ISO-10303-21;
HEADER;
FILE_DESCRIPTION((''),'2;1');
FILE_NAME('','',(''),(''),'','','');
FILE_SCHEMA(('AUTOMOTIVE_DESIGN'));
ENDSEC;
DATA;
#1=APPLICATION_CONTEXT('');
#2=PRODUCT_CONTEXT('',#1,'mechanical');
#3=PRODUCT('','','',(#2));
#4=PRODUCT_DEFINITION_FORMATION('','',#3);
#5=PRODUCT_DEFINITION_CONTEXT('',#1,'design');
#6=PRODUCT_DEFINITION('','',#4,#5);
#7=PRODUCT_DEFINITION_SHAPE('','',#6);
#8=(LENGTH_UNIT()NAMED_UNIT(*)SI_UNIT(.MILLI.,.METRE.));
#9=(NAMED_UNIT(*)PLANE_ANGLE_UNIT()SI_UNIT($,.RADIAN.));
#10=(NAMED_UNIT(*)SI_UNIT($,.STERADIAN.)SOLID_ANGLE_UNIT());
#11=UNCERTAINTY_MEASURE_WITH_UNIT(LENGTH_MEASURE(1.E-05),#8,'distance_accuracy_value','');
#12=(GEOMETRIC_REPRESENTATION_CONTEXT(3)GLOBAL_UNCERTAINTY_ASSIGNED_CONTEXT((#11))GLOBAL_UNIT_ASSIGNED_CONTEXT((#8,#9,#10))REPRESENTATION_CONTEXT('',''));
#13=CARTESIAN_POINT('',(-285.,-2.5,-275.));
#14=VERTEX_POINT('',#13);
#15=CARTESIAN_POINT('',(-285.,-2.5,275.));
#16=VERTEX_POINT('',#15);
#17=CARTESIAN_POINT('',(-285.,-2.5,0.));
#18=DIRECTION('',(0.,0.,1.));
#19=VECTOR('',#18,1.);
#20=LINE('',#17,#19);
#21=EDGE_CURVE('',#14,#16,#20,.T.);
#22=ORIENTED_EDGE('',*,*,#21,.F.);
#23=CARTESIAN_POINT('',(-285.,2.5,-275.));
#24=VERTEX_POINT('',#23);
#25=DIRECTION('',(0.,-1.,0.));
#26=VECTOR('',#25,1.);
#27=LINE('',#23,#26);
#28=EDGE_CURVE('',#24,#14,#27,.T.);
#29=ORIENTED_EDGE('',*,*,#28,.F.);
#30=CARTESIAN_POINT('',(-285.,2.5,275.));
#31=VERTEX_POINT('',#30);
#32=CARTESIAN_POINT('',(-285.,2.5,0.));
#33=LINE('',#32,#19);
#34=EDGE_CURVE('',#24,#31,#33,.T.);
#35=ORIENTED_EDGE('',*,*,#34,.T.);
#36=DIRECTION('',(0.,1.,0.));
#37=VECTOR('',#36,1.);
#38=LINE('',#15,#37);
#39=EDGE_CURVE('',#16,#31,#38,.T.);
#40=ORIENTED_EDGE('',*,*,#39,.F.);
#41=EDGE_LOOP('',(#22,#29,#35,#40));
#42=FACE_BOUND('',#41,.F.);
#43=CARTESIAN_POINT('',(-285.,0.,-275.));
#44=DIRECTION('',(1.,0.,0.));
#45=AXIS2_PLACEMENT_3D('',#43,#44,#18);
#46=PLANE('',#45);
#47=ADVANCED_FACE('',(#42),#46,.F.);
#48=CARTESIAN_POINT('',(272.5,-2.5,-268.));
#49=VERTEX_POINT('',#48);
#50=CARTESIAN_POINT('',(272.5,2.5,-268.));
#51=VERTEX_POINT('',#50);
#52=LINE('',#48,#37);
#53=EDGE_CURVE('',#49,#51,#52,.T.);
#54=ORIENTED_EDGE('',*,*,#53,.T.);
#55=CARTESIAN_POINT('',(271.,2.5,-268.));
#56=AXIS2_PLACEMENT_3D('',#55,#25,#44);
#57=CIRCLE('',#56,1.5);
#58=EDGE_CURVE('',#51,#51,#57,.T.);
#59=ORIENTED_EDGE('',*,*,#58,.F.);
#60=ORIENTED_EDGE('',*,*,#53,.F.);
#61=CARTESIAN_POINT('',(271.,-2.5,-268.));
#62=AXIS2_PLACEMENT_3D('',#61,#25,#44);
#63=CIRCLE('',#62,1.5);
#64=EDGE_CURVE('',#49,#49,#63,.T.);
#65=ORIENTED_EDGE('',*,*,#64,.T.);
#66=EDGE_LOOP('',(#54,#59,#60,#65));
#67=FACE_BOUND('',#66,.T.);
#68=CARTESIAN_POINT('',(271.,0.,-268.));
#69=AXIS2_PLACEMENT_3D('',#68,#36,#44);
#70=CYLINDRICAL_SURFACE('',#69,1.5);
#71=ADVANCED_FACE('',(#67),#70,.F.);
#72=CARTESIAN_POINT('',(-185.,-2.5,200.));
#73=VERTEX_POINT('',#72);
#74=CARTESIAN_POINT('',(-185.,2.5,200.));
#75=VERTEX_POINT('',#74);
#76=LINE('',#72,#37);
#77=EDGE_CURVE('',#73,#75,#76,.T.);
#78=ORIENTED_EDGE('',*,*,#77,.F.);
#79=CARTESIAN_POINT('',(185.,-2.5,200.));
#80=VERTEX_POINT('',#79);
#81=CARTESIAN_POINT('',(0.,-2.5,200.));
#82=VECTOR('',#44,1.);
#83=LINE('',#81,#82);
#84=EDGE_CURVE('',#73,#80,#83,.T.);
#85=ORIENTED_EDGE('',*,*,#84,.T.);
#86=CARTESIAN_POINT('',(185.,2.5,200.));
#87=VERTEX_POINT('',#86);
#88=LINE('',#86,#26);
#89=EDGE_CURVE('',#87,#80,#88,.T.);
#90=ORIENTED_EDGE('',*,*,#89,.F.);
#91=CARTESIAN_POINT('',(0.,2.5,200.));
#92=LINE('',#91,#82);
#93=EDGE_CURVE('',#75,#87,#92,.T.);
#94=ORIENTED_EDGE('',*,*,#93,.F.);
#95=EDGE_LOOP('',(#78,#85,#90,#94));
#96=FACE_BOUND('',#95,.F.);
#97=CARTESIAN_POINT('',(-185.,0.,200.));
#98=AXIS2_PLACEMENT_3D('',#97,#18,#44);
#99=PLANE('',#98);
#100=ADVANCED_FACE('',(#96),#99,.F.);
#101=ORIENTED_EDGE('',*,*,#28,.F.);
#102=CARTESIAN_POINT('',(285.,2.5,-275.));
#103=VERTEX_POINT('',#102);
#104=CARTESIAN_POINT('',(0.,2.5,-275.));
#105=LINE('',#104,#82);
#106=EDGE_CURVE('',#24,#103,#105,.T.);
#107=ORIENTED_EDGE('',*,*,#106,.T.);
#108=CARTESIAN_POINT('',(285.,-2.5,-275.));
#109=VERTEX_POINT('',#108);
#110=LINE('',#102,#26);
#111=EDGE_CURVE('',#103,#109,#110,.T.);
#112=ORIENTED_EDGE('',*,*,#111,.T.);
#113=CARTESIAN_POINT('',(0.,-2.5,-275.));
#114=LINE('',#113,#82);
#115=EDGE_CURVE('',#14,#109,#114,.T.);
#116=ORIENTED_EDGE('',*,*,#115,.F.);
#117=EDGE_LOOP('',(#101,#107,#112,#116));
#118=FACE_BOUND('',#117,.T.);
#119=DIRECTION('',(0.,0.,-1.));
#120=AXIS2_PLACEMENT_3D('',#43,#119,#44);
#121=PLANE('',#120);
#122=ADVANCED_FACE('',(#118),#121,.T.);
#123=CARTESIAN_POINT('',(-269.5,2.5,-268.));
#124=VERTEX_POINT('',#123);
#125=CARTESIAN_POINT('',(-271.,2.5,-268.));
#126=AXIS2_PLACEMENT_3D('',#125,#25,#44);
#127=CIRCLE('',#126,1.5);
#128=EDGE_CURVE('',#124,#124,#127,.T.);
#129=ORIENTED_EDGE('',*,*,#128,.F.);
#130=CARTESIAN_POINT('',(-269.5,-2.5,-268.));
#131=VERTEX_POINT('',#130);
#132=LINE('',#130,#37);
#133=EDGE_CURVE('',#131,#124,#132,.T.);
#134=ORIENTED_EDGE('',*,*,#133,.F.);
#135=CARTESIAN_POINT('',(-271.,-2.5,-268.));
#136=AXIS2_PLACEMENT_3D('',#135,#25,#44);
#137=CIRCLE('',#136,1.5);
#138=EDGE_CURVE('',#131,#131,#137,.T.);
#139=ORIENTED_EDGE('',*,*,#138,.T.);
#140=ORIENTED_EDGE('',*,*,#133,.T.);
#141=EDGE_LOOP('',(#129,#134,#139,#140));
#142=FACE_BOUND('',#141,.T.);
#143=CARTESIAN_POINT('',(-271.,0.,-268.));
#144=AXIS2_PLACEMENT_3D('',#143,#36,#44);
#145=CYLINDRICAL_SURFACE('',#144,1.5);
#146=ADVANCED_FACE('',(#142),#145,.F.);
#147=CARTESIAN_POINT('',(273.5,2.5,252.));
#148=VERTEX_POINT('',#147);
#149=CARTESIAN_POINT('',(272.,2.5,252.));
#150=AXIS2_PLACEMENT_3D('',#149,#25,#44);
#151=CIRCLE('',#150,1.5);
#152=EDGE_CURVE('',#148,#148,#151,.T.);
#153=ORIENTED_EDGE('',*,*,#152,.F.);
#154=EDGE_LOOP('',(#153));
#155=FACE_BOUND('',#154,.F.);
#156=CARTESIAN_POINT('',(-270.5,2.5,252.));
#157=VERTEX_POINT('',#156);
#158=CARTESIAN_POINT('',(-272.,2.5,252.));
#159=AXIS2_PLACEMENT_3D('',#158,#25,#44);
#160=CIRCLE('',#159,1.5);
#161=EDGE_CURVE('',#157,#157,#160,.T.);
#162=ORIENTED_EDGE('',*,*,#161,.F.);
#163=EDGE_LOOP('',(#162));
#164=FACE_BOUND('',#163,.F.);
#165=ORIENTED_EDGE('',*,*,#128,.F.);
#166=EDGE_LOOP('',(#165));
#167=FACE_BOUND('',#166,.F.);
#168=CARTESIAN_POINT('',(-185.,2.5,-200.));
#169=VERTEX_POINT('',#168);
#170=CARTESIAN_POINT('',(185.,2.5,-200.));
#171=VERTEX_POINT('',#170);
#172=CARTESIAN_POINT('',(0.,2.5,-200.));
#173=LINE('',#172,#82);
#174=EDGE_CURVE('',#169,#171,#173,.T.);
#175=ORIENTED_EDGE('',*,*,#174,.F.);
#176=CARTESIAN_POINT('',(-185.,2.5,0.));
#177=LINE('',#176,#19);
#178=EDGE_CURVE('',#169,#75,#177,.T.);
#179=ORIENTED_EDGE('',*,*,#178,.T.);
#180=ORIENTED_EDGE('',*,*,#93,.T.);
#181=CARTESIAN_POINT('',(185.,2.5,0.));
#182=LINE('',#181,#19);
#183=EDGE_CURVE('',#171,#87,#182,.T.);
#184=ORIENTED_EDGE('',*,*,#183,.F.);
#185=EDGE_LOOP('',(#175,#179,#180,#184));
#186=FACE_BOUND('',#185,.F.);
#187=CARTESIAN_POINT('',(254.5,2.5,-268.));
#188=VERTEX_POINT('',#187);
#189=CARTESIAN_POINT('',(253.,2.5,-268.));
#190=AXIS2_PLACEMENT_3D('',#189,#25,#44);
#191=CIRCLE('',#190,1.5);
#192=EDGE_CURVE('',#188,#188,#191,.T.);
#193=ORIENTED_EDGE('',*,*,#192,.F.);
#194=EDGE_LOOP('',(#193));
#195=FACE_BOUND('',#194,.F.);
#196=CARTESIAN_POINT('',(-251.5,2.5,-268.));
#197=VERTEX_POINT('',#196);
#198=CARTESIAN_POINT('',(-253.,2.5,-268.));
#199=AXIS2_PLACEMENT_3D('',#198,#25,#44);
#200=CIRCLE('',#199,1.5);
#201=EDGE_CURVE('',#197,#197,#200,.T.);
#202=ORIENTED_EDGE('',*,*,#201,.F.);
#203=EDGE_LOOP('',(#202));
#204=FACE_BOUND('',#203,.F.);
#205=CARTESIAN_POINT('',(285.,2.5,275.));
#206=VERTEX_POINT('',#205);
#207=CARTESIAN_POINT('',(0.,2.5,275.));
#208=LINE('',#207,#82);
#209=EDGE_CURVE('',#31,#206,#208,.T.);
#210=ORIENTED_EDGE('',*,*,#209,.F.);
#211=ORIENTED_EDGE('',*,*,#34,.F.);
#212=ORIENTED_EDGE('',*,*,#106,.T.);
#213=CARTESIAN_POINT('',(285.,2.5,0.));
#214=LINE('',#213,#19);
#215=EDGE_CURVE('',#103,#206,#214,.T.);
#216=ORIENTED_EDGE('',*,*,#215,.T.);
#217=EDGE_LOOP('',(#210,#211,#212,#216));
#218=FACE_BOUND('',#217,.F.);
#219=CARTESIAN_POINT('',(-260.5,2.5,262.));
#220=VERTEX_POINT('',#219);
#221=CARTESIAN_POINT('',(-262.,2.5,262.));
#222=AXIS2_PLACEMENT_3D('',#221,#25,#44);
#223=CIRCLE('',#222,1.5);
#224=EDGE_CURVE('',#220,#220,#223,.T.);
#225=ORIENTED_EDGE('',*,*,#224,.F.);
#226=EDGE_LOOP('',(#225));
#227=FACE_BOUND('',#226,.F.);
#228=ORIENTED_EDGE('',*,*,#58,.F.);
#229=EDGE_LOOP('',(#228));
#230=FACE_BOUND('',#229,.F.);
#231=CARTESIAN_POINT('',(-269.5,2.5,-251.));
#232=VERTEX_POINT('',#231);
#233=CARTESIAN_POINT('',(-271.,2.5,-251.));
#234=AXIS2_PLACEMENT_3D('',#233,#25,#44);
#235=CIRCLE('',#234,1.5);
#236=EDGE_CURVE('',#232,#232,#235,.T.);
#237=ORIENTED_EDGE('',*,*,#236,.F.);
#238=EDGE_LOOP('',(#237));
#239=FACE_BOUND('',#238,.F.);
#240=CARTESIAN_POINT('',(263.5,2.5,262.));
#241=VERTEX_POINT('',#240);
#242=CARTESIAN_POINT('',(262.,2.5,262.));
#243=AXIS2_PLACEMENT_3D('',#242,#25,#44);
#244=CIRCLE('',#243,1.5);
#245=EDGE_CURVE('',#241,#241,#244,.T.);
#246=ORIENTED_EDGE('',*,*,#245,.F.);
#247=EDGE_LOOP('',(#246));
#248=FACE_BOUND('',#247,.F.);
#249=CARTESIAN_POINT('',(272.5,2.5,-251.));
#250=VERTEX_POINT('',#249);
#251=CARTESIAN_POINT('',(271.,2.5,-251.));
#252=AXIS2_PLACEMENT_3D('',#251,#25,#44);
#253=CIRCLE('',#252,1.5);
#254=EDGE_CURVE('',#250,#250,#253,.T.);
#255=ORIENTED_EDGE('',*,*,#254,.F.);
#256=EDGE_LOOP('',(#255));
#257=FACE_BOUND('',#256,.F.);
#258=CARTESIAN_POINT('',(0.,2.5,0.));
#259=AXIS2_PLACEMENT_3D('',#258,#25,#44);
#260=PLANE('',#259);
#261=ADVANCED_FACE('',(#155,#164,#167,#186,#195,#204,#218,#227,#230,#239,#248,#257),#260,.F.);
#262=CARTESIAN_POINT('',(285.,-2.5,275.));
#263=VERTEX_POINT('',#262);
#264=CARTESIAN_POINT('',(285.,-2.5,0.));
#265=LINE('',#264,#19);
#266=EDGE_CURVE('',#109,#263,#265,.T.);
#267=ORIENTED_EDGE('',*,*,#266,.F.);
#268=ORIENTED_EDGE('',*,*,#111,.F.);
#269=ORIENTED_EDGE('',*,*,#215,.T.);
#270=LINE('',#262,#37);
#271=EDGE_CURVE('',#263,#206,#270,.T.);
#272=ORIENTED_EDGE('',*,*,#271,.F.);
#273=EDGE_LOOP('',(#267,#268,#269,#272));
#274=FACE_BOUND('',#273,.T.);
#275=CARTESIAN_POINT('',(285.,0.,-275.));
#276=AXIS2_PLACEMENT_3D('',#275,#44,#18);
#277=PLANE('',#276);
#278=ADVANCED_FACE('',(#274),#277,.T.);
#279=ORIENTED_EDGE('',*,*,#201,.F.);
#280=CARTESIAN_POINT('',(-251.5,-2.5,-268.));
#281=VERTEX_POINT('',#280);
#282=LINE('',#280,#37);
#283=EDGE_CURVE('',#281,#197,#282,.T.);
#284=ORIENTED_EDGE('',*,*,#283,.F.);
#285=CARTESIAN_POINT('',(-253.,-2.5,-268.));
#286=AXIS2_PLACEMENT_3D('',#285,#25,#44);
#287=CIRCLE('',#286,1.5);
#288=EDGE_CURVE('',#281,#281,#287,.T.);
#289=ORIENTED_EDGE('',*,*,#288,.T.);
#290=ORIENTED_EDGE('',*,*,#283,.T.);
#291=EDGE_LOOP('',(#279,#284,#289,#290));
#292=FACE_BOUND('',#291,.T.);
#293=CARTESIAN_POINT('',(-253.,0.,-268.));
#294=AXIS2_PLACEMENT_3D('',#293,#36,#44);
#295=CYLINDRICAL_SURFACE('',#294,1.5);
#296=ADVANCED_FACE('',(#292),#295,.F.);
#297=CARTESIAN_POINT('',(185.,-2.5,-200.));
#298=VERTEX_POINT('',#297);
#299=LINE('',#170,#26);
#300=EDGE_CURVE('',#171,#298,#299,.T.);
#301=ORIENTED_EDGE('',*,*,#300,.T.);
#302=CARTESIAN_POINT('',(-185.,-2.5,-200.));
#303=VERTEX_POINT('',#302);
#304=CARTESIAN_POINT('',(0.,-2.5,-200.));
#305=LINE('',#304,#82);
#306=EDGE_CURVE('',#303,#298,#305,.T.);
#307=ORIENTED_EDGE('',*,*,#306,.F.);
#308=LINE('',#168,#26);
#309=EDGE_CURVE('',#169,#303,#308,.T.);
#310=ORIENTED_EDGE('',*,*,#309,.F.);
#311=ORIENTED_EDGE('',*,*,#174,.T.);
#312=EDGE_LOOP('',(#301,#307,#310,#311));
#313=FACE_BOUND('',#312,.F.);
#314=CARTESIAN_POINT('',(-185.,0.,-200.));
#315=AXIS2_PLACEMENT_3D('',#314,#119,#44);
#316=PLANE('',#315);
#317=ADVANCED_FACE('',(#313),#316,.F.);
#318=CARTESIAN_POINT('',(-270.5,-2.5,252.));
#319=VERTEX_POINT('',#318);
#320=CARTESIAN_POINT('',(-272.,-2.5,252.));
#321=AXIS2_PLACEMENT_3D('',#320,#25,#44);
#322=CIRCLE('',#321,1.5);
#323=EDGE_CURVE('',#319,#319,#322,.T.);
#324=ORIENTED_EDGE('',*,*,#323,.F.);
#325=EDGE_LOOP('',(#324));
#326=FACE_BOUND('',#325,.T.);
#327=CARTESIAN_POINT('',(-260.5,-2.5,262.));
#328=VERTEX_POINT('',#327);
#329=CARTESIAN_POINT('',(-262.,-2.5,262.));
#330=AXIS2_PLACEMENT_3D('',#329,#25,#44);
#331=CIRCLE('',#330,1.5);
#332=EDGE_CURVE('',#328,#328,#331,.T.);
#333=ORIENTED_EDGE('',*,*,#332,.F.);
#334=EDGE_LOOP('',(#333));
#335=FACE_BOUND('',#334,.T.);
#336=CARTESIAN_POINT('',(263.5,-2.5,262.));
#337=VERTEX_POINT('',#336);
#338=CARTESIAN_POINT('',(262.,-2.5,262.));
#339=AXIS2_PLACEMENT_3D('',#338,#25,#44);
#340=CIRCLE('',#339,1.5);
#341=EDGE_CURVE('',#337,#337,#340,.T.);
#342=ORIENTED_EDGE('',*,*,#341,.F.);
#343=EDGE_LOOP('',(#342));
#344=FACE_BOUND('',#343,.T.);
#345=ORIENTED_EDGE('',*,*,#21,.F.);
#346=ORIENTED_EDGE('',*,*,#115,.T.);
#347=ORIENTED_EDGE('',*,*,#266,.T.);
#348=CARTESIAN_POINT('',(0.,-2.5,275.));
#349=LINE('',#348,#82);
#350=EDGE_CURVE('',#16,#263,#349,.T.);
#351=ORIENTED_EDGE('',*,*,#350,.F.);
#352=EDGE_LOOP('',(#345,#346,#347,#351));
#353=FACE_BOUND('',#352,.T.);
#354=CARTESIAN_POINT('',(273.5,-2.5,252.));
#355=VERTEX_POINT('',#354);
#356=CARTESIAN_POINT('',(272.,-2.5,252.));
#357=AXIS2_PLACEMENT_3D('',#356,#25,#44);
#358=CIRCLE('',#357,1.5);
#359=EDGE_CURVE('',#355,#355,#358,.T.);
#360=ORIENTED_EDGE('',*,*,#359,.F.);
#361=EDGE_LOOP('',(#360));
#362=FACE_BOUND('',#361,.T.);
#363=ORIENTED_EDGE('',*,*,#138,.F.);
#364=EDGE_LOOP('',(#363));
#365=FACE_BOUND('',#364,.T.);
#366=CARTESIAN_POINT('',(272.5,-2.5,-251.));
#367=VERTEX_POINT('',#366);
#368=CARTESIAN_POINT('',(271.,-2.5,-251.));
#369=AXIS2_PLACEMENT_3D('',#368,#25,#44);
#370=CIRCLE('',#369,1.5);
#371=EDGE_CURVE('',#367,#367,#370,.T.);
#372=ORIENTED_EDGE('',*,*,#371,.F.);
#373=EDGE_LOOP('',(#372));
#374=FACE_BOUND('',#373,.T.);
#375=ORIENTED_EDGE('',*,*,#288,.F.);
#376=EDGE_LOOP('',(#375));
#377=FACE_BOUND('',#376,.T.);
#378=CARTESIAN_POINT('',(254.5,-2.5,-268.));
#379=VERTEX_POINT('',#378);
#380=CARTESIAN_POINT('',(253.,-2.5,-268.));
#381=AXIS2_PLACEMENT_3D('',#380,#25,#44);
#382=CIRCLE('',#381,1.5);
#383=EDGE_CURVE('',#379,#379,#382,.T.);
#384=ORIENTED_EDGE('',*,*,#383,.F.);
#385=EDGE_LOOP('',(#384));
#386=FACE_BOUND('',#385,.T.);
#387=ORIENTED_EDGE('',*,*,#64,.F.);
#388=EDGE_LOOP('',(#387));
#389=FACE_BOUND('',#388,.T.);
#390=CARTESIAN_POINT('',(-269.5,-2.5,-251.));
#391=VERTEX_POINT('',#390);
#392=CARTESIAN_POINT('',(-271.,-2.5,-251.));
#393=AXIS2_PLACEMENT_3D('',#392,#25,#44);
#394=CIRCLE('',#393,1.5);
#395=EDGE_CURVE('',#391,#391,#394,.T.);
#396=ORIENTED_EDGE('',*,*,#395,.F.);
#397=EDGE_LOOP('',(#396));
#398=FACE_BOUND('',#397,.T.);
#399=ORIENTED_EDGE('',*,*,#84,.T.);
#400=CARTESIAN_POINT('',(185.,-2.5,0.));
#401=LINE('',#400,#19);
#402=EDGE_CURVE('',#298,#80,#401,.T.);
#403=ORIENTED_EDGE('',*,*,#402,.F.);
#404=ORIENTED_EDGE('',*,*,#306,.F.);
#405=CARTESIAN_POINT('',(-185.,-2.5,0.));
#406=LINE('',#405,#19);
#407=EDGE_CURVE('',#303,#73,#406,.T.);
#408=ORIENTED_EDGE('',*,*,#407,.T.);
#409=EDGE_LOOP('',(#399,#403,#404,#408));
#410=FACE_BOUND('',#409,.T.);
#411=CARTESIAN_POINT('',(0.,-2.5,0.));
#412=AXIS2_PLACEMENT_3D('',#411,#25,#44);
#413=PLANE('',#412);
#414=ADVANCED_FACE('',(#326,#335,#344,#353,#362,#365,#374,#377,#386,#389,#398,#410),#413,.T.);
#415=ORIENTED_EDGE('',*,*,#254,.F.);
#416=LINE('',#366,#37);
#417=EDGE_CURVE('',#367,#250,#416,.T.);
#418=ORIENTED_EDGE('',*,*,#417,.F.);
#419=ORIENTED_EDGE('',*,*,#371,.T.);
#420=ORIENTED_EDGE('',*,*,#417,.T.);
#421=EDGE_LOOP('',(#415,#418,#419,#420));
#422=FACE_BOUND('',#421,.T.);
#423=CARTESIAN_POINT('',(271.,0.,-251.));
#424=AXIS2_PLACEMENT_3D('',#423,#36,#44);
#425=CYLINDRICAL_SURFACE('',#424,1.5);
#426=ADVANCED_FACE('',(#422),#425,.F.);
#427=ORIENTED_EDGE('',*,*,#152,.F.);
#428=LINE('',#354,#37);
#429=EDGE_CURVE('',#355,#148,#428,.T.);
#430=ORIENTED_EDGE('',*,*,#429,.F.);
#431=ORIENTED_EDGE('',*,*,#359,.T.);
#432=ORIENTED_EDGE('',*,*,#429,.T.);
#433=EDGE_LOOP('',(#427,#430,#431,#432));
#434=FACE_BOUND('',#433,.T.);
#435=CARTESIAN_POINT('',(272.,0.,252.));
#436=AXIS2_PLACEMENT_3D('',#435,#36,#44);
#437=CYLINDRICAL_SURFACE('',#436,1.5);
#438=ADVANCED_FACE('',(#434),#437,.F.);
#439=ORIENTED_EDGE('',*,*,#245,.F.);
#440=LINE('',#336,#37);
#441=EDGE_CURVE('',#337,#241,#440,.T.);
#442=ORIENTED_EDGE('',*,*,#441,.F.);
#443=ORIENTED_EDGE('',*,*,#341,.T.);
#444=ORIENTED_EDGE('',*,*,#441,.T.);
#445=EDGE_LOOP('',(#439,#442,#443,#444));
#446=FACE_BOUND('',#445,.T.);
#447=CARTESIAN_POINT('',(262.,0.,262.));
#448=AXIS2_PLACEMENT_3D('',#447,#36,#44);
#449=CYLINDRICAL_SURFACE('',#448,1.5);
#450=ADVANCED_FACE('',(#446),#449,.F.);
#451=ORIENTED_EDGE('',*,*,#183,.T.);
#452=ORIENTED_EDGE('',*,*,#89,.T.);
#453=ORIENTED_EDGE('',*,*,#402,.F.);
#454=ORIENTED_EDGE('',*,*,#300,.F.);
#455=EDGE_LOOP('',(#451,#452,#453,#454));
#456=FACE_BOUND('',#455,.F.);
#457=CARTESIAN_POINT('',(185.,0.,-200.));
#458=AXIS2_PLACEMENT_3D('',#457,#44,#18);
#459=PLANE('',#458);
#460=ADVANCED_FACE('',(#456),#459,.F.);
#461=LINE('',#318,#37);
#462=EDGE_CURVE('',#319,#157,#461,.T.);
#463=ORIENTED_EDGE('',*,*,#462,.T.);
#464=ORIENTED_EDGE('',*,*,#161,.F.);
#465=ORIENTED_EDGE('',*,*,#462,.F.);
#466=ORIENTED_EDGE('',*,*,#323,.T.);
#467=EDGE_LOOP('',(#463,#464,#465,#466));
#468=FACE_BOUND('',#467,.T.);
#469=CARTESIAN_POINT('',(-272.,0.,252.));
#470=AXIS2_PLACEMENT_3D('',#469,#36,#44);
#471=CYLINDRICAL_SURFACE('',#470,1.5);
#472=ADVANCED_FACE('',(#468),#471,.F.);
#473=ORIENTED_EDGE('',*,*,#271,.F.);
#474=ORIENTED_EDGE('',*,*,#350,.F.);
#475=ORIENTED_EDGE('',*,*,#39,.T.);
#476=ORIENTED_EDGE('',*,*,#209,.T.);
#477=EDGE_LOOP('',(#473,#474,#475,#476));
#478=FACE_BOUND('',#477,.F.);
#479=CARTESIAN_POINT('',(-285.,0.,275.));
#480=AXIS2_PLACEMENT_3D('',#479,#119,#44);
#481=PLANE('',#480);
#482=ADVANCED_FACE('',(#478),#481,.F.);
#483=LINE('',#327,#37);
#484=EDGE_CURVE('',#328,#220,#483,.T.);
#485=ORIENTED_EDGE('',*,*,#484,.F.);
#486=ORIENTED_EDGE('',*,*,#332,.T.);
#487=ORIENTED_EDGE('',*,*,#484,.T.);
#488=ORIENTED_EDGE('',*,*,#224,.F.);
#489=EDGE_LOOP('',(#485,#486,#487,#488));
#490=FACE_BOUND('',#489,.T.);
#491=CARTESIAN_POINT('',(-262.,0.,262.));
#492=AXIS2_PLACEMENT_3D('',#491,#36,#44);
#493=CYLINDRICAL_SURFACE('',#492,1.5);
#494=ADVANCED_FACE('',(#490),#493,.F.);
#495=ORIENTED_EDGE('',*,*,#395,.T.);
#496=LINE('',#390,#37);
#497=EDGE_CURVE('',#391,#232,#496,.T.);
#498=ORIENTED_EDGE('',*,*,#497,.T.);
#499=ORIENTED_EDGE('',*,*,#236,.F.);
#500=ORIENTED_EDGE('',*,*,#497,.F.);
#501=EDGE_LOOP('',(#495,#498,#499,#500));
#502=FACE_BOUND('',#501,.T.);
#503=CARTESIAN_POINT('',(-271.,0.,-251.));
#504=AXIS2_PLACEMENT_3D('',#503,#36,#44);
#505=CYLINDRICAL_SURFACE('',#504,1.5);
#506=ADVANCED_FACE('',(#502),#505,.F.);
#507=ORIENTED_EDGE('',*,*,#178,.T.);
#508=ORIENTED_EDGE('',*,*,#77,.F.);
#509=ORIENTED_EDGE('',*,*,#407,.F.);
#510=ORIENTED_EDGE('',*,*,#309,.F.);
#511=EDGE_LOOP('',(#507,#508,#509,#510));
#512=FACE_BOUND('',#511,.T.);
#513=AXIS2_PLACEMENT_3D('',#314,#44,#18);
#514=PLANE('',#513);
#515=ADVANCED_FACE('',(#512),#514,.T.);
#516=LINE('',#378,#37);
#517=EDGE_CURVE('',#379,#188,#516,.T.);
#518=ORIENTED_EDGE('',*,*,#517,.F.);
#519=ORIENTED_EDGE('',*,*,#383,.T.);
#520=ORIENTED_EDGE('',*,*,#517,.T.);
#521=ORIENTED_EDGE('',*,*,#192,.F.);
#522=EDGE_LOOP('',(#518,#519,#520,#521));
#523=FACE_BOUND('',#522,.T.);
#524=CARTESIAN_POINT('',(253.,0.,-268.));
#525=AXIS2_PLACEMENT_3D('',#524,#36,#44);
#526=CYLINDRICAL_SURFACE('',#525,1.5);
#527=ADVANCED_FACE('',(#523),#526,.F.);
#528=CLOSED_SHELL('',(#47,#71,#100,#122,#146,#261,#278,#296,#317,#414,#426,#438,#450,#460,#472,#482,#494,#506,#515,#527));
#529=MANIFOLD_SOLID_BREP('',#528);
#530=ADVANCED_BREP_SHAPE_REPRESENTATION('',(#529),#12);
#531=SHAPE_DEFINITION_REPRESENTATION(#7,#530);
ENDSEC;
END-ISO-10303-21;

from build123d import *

# Parameters (mm, degrees)
F0_W     = 570
F0_H     = 550
F0_R     = 1.5
F0_W_2   = 370
F0_H_2   = 400
F1_DEPTH = 2.5


with BuildPart() as f1:
    # F0 (on Front) → F1 (new body, symmetric)
    with BuildSketch(Plane.XZ):
        Rectangle(F0_W, F0_H)
        with Locations((-271, -268)):
            Circle(F0_R, mode=Mode.SUBTRACT)
        with Locations((-253, -268)):
            Circle(F0_R, mode=Mode.SUBTRACT)
        with Locations((-271, -251)):
            Circle(F0_R, mode=Mode.SUBTRACT)
        with Locations((253, -268)):
            Circle(F0_R, mode=Mode.SUBTRACT)
        with Locations((271, -268)):
            Circle(F0_R, mode=Mode.SUBTRACT)
        with Locations((271, -251)):
            Circle(F0_R, mode=Mode.SUBTRACT)
        with Locations((-272, 252)):
            Circle(F0_R, mode=Mode.SUBTRACT)
        with Locations((-262, 262)):
            Circle(F0_R, mode=Mode.SUBTRACT)
        Rectangle(F0_W_2, F0_H_2, mode=Mode.SUBTRACT)
        with Locations((272, 252)):
            Circle(F0_R, mode=Mode.SUBTRACT)
        with Locations((262, 262)):
            Circle(F0_R, mode=Mode.SUBTRACT)
    extrude(amount=F1_DEPTH, both=True)


solid = f1.part
